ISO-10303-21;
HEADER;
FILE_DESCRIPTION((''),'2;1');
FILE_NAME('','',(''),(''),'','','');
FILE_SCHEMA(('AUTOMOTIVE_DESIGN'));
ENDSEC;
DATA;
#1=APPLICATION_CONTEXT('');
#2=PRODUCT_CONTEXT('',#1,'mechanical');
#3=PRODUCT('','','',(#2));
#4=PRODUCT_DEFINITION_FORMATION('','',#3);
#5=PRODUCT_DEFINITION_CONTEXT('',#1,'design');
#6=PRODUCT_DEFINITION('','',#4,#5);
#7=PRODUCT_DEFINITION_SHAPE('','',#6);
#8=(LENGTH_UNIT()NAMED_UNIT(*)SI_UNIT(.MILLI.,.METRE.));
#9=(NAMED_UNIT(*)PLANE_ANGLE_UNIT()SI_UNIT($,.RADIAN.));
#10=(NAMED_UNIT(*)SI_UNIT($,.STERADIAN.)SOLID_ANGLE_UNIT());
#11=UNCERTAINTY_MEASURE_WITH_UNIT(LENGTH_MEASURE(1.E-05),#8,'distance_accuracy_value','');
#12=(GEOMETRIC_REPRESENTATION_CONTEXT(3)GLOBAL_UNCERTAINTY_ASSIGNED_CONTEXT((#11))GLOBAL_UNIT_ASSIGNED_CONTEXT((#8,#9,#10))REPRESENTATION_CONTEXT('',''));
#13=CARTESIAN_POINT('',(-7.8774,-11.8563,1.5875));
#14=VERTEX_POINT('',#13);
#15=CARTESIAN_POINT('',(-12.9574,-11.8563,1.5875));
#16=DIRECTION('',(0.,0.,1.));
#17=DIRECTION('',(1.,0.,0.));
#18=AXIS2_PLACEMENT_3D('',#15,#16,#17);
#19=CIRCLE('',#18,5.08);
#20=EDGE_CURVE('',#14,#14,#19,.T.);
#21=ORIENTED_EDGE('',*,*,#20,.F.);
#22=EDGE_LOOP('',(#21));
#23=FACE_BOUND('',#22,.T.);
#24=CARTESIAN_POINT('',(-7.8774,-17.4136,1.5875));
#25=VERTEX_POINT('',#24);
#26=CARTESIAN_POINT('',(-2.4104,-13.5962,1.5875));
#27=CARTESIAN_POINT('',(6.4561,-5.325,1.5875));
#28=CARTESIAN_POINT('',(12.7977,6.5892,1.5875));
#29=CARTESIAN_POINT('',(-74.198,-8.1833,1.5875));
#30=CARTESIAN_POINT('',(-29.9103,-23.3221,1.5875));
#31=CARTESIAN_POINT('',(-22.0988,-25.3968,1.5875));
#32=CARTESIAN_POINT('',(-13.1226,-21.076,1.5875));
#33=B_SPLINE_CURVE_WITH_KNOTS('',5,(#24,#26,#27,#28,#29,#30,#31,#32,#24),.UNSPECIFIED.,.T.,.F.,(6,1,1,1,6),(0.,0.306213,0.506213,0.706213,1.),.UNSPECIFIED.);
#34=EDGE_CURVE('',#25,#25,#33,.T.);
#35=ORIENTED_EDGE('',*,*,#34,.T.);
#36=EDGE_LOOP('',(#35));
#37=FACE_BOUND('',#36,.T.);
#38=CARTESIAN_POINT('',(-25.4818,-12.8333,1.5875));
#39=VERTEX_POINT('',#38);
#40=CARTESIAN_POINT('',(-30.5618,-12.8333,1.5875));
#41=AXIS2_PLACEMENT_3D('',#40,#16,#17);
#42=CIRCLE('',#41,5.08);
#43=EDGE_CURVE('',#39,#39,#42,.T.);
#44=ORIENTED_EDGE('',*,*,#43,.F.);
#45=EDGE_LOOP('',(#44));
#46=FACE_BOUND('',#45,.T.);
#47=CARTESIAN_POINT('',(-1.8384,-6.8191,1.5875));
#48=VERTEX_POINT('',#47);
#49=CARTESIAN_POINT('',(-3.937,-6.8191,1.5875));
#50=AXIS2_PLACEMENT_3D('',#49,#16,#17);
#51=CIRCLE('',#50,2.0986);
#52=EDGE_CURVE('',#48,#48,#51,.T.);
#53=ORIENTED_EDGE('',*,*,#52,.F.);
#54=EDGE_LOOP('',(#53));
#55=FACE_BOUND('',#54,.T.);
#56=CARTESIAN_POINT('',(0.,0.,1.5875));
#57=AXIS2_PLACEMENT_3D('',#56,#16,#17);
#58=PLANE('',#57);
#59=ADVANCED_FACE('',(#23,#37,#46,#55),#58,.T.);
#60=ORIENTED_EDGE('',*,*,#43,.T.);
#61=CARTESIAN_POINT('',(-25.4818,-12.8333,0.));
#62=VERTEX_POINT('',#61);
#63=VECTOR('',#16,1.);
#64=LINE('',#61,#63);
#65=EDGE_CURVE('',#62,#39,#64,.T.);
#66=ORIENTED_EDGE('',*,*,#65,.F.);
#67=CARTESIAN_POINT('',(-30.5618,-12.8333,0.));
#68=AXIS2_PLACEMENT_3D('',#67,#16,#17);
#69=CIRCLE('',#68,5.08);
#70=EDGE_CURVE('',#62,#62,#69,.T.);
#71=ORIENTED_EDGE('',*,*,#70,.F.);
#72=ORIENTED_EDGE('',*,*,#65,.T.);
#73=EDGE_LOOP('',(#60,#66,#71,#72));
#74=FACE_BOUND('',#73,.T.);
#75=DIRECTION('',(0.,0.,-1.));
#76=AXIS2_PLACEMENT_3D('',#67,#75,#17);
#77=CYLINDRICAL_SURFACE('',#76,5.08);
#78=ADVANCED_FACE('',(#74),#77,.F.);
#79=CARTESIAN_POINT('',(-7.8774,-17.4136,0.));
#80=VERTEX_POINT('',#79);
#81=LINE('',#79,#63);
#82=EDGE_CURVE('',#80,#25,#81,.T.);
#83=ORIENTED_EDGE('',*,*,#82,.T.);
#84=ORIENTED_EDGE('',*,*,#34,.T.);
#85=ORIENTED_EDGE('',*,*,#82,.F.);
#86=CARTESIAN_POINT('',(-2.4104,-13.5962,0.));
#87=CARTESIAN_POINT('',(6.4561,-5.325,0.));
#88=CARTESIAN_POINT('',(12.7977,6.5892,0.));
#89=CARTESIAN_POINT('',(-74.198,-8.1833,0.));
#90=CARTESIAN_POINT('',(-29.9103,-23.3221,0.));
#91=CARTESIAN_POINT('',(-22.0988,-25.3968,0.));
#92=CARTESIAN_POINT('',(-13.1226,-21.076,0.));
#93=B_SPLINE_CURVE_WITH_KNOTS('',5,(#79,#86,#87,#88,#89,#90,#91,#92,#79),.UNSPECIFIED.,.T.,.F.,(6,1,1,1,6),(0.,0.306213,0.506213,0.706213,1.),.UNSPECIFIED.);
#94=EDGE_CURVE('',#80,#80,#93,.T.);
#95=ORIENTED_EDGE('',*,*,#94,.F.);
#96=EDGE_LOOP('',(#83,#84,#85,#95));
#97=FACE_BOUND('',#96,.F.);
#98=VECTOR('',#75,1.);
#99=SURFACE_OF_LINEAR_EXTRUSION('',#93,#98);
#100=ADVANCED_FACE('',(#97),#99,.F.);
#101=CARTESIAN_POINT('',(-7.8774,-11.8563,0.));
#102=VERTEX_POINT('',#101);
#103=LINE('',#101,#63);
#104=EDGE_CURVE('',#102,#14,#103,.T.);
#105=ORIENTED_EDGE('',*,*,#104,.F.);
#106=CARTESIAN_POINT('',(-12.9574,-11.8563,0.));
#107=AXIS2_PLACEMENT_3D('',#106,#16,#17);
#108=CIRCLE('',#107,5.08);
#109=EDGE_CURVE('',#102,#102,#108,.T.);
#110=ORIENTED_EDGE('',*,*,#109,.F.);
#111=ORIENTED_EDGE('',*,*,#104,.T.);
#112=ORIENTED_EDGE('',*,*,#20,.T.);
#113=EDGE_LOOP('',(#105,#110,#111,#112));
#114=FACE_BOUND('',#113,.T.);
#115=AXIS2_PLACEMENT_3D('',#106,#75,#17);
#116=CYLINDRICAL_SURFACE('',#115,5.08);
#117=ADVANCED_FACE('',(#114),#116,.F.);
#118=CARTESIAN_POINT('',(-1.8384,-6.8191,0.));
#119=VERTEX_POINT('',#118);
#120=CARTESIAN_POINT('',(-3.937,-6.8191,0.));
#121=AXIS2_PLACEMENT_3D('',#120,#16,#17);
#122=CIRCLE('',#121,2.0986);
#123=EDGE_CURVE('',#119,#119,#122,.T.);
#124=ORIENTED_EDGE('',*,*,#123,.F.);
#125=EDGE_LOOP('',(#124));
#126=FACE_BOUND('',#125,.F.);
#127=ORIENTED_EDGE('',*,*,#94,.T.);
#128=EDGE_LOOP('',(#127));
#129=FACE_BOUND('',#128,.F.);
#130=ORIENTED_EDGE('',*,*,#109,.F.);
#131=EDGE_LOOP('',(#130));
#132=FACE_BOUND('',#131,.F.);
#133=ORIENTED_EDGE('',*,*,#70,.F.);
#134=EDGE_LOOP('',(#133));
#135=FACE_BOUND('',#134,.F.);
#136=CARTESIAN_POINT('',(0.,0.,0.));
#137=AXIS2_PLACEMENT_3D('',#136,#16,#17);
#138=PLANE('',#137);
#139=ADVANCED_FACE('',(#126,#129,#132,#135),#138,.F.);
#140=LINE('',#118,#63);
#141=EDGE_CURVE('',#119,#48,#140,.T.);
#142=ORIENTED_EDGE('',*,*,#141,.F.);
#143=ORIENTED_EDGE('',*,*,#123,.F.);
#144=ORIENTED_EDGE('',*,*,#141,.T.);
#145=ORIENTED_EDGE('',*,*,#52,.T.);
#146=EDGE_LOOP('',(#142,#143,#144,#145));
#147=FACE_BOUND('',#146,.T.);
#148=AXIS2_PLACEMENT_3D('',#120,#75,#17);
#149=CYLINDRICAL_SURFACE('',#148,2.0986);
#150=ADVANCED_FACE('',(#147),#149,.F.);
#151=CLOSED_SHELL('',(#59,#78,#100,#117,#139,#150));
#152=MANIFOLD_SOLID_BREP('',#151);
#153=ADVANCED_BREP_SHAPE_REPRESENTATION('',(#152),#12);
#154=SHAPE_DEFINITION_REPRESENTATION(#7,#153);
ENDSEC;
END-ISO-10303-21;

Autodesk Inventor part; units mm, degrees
ref_plane "YZ Plane" through (0, 0, 0) normal (1, 0, 0) x (0, 1, 0)
ref_plane "XZ Plane" through (0, 0, 0) normal (0, 1, 0) x (-1, 0, 0)
ref_plane "XY Plane" through (0, 0, 0) normal (0, 0, 1) x (1, 0, 0)
sketch "Sketch1" plane through (0, 0, 0) normal (0, 0, 1) x (1, 0, 0)
  circle A0 centre (-3.937, -6.8191) radius 1.7525 construction
  circle A1 centre (-3.937, -6.8191) radius 2.0986
  ellipse E0 centre (-12.9574, -11.8563) end of major axis (-9.9221, -11.8563) minor radius 3.01 construction
  ellipse E1 centre (-30.5618, -12.8333) end of major axis (-27.5265, -12.8333) minor radius 3.01 construction
  circle A2 centre (-12.9574, -11.8563) radius 5.08
  circle A3 centre (-30.5618, -12.8333) radius 5.08
  spline S0 degree 5 poles (-7.8774, -17.4136) (-2.4104, -13.5962) (6.4561, -5.325) (12.7977, 6.5892) (-74.198, -8.1833) (-29.9103, -23.3221) (-22.0988, -25.3968) (-13.1226, -21.076) (-7.8774, -17.4136) knots 0 0 0 0 0 0 0.306213 0.506213 0.706213 1 1 1 1 1 1
  point P0 (0, 0)
  point P1 (-41.7028, -11.8563)
  point P2 (-28.7309, -22.3933)
  dimension "d0" = 4.1971
  dimension "d1" = 10.16
  dimension "d2" = 10.16
extrude "Extrusion1" add sketch "Sketch1" along normal blind 1.5875
properties part number "Endgame release polycarb"
